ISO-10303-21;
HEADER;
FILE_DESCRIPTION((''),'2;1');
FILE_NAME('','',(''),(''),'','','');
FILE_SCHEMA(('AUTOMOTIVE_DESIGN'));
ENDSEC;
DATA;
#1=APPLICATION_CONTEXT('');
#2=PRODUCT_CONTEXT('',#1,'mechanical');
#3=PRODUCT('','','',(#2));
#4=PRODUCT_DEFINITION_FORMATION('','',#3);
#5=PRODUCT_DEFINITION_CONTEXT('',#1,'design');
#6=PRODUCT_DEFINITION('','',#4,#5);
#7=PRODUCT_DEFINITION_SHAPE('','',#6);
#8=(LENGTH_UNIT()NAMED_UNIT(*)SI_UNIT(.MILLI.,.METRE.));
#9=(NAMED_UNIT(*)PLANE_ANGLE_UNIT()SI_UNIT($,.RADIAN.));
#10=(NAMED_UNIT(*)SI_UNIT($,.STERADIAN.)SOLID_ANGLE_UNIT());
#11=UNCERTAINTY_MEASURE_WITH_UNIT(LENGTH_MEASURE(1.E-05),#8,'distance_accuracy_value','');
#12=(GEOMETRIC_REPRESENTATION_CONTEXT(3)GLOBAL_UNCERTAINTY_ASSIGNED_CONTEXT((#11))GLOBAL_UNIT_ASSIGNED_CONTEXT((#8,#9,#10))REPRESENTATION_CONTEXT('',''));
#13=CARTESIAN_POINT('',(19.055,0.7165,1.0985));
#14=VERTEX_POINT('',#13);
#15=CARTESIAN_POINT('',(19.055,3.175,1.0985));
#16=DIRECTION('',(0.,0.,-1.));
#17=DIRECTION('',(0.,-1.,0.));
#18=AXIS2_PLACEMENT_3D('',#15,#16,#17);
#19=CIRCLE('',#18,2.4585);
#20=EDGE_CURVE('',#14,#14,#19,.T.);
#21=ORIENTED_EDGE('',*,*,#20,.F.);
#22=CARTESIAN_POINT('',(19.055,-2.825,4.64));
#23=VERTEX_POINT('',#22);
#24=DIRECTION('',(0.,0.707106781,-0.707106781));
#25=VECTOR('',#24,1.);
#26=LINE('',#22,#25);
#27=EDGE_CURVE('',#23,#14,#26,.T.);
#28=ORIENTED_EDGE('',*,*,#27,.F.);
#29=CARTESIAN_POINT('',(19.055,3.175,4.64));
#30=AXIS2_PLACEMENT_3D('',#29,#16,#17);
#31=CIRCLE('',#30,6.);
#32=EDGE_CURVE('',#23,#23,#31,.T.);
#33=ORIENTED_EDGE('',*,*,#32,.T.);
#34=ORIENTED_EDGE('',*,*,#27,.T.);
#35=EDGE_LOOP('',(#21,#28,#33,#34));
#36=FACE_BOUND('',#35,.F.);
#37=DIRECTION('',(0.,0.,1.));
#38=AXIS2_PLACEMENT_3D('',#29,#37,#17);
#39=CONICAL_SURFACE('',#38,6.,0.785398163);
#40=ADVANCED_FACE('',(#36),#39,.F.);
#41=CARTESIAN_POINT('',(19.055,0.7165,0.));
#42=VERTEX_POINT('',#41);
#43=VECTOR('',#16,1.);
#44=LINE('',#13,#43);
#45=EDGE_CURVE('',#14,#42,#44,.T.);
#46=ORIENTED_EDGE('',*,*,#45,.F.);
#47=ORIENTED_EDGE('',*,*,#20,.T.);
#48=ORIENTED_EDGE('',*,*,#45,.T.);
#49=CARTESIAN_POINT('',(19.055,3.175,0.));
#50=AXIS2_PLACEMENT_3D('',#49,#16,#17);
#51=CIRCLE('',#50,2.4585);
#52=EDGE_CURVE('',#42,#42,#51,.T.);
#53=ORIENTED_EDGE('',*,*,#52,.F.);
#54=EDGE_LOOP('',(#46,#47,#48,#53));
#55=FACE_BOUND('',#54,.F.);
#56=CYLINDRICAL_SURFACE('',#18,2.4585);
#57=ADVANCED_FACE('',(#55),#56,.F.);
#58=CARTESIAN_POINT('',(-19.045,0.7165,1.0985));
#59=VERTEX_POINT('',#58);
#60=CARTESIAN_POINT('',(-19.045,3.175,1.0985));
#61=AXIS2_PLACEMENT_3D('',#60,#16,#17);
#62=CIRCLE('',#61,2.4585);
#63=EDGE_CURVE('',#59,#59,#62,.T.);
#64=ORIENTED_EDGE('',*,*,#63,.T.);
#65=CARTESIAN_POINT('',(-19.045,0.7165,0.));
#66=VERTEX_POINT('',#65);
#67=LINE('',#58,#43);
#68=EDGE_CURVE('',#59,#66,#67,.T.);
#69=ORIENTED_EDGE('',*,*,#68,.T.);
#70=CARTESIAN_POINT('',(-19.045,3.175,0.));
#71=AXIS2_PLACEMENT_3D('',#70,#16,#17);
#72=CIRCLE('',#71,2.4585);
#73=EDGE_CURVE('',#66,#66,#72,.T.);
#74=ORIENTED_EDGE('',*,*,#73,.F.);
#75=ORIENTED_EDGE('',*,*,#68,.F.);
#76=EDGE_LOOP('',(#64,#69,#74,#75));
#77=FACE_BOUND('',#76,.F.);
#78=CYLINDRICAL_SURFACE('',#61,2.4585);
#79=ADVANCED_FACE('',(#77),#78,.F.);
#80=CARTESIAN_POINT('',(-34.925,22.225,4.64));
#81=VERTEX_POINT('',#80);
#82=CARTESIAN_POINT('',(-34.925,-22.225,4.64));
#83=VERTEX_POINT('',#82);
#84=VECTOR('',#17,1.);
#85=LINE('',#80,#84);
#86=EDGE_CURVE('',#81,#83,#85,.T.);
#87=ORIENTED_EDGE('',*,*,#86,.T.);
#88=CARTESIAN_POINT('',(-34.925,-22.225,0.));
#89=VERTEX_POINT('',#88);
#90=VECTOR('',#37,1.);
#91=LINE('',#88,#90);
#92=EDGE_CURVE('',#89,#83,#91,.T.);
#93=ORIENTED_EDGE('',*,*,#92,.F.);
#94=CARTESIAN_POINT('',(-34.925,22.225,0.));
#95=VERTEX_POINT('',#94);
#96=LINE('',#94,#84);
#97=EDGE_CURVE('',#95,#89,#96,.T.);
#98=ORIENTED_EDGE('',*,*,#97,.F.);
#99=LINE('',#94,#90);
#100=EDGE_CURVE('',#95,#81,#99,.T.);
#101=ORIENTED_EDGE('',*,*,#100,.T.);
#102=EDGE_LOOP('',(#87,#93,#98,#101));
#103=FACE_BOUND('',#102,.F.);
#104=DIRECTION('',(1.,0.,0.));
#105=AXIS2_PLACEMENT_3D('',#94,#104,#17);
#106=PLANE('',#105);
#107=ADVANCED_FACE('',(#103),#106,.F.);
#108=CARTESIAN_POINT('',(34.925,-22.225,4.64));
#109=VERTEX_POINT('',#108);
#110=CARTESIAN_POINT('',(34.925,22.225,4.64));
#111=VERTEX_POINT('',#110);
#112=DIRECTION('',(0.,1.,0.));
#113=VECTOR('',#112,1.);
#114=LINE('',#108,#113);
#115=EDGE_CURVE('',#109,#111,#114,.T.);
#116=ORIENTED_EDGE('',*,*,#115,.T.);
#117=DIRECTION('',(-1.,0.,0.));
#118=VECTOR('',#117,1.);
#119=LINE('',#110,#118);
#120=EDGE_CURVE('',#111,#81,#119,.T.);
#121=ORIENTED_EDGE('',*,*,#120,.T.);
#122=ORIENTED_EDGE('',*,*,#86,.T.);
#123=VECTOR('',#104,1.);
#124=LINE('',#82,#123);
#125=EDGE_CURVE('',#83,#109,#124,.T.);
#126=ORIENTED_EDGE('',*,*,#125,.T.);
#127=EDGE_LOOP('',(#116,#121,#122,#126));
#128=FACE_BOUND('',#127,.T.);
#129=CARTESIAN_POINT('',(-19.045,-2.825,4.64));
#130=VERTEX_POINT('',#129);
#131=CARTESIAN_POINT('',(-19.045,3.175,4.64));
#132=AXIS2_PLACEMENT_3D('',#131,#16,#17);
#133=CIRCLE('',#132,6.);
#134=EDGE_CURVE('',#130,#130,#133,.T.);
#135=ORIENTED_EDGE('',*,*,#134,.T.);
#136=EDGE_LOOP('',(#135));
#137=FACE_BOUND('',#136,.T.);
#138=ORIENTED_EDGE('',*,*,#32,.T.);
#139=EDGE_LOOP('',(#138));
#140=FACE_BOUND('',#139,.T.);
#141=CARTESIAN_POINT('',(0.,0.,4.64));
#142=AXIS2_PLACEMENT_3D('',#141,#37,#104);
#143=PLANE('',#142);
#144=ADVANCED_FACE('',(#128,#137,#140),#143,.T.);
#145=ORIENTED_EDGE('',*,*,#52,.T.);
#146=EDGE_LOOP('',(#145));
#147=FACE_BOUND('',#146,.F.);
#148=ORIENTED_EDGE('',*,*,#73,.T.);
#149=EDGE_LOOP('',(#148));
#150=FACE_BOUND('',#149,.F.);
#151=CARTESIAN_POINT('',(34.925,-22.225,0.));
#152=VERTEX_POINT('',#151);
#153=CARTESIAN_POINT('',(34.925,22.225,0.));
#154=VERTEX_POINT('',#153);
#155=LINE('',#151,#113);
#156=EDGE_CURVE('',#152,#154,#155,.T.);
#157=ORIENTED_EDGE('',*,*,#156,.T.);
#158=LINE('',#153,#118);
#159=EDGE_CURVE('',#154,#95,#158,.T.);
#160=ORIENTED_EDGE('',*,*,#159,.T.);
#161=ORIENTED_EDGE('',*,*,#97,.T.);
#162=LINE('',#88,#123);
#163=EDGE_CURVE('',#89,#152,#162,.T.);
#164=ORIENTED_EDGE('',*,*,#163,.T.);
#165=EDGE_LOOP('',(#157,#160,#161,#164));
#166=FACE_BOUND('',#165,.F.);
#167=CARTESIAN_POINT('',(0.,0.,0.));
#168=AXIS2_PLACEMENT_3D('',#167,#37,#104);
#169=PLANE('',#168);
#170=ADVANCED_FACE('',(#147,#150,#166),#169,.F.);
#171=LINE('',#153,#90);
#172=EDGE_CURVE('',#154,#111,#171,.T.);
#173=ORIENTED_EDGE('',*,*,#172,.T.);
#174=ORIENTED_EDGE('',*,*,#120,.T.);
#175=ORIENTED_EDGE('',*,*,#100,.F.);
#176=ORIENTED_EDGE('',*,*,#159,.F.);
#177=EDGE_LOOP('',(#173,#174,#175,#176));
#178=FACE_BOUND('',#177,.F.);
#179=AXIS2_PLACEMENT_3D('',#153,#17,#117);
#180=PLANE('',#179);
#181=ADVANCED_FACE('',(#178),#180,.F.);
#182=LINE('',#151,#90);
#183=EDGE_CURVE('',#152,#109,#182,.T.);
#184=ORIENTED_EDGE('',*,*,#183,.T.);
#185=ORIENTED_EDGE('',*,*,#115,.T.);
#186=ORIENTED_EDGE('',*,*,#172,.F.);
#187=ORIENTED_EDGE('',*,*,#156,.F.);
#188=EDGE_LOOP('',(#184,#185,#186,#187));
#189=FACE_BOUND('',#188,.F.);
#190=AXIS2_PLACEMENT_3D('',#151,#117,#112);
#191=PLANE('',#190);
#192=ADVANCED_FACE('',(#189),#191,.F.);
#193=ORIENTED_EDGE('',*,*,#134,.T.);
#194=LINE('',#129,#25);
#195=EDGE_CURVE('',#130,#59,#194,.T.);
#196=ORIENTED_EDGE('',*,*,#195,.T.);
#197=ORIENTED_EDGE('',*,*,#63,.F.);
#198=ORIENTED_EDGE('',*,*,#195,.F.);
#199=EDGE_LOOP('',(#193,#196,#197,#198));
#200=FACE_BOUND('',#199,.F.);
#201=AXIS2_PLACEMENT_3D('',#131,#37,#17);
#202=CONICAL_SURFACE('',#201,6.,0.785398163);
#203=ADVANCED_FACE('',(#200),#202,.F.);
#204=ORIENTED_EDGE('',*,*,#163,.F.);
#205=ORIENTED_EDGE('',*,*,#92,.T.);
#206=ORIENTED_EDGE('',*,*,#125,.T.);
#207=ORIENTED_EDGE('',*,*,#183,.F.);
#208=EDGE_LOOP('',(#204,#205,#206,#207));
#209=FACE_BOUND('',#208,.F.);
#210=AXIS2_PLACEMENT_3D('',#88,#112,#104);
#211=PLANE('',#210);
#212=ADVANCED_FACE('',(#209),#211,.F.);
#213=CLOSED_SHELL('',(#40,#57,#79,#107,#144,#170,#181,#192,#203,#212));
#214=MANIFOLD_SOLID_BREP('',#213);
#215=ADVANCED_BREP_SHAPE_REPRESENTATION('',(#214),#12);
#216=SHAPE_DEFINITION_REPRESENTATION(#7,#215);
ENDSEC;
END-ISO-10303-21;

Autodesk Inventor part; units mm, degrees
ref_plane "YZ Plane" through (0, 0, 0) normal (1, 0, 0) x (0, 1, 0)
ref_plane "XZ Plane" through (0, 0, 0) normal (0, 1, 0) x (-1, 0, 0)
ref_plane "XY Plane" through (0, 0, 0) normal (0, 0, 1) x (1, 0, 0)
sketch "Sketch1" plane through (0, 0, 0) normal (0, 0, 1) x (1, 0, 0)
  line L0 (-34.925, -22.225) -> (34.925, -22.225)
  line L1 (34.925, -22.225) -> (34.925, 22.225)
  line L2 (34.925, 22.225) -> (-34.925, 22.225)
  line L3 (-34.925, 22.225) -> (-34.925, -22.225)
  line L4 (-34.925, -22.225) -> (34.925, 22.225) construction
  line L5 (34.925, -22.225) -> (-34.925, 22.225) construction
  point P0 (0, 0)
  dimension "d0" = 69.85
  dimension "d1" = 44.45
extrude "Extrusion1" add sketch "Sketch1" along normal blind 4.64
sketch "Sketch2" plane through (0, 0, 4.64) normal (0, 0, 1) x (1, 0, 0)
  line L0 (-34.925, -22.225) -> (34.925, -22.225) projected
  line L1 (-34.925, 22.225) -> (-34.925, -22.225) projected
  point P0 (0, 0)
  point P1 (-19.045, 3.175)
  point P2 (19.055, 3.175)
  dimension "d4" = 25.4
  dimension "d5" = 15.88
  dimension "d6" = 38.1
hole "Hole1" at (-19.045, 3.175, 4.64) at (19.055, 3.175, 4.64) direction (0, 0, -1) diameter 4.917 depth 15 tip angle 118 countersink diameter 12 countersink angle 90 thread size "M6x1" class "6H" standard "ANSI Metric M Profile"
properties part number "plaka"
